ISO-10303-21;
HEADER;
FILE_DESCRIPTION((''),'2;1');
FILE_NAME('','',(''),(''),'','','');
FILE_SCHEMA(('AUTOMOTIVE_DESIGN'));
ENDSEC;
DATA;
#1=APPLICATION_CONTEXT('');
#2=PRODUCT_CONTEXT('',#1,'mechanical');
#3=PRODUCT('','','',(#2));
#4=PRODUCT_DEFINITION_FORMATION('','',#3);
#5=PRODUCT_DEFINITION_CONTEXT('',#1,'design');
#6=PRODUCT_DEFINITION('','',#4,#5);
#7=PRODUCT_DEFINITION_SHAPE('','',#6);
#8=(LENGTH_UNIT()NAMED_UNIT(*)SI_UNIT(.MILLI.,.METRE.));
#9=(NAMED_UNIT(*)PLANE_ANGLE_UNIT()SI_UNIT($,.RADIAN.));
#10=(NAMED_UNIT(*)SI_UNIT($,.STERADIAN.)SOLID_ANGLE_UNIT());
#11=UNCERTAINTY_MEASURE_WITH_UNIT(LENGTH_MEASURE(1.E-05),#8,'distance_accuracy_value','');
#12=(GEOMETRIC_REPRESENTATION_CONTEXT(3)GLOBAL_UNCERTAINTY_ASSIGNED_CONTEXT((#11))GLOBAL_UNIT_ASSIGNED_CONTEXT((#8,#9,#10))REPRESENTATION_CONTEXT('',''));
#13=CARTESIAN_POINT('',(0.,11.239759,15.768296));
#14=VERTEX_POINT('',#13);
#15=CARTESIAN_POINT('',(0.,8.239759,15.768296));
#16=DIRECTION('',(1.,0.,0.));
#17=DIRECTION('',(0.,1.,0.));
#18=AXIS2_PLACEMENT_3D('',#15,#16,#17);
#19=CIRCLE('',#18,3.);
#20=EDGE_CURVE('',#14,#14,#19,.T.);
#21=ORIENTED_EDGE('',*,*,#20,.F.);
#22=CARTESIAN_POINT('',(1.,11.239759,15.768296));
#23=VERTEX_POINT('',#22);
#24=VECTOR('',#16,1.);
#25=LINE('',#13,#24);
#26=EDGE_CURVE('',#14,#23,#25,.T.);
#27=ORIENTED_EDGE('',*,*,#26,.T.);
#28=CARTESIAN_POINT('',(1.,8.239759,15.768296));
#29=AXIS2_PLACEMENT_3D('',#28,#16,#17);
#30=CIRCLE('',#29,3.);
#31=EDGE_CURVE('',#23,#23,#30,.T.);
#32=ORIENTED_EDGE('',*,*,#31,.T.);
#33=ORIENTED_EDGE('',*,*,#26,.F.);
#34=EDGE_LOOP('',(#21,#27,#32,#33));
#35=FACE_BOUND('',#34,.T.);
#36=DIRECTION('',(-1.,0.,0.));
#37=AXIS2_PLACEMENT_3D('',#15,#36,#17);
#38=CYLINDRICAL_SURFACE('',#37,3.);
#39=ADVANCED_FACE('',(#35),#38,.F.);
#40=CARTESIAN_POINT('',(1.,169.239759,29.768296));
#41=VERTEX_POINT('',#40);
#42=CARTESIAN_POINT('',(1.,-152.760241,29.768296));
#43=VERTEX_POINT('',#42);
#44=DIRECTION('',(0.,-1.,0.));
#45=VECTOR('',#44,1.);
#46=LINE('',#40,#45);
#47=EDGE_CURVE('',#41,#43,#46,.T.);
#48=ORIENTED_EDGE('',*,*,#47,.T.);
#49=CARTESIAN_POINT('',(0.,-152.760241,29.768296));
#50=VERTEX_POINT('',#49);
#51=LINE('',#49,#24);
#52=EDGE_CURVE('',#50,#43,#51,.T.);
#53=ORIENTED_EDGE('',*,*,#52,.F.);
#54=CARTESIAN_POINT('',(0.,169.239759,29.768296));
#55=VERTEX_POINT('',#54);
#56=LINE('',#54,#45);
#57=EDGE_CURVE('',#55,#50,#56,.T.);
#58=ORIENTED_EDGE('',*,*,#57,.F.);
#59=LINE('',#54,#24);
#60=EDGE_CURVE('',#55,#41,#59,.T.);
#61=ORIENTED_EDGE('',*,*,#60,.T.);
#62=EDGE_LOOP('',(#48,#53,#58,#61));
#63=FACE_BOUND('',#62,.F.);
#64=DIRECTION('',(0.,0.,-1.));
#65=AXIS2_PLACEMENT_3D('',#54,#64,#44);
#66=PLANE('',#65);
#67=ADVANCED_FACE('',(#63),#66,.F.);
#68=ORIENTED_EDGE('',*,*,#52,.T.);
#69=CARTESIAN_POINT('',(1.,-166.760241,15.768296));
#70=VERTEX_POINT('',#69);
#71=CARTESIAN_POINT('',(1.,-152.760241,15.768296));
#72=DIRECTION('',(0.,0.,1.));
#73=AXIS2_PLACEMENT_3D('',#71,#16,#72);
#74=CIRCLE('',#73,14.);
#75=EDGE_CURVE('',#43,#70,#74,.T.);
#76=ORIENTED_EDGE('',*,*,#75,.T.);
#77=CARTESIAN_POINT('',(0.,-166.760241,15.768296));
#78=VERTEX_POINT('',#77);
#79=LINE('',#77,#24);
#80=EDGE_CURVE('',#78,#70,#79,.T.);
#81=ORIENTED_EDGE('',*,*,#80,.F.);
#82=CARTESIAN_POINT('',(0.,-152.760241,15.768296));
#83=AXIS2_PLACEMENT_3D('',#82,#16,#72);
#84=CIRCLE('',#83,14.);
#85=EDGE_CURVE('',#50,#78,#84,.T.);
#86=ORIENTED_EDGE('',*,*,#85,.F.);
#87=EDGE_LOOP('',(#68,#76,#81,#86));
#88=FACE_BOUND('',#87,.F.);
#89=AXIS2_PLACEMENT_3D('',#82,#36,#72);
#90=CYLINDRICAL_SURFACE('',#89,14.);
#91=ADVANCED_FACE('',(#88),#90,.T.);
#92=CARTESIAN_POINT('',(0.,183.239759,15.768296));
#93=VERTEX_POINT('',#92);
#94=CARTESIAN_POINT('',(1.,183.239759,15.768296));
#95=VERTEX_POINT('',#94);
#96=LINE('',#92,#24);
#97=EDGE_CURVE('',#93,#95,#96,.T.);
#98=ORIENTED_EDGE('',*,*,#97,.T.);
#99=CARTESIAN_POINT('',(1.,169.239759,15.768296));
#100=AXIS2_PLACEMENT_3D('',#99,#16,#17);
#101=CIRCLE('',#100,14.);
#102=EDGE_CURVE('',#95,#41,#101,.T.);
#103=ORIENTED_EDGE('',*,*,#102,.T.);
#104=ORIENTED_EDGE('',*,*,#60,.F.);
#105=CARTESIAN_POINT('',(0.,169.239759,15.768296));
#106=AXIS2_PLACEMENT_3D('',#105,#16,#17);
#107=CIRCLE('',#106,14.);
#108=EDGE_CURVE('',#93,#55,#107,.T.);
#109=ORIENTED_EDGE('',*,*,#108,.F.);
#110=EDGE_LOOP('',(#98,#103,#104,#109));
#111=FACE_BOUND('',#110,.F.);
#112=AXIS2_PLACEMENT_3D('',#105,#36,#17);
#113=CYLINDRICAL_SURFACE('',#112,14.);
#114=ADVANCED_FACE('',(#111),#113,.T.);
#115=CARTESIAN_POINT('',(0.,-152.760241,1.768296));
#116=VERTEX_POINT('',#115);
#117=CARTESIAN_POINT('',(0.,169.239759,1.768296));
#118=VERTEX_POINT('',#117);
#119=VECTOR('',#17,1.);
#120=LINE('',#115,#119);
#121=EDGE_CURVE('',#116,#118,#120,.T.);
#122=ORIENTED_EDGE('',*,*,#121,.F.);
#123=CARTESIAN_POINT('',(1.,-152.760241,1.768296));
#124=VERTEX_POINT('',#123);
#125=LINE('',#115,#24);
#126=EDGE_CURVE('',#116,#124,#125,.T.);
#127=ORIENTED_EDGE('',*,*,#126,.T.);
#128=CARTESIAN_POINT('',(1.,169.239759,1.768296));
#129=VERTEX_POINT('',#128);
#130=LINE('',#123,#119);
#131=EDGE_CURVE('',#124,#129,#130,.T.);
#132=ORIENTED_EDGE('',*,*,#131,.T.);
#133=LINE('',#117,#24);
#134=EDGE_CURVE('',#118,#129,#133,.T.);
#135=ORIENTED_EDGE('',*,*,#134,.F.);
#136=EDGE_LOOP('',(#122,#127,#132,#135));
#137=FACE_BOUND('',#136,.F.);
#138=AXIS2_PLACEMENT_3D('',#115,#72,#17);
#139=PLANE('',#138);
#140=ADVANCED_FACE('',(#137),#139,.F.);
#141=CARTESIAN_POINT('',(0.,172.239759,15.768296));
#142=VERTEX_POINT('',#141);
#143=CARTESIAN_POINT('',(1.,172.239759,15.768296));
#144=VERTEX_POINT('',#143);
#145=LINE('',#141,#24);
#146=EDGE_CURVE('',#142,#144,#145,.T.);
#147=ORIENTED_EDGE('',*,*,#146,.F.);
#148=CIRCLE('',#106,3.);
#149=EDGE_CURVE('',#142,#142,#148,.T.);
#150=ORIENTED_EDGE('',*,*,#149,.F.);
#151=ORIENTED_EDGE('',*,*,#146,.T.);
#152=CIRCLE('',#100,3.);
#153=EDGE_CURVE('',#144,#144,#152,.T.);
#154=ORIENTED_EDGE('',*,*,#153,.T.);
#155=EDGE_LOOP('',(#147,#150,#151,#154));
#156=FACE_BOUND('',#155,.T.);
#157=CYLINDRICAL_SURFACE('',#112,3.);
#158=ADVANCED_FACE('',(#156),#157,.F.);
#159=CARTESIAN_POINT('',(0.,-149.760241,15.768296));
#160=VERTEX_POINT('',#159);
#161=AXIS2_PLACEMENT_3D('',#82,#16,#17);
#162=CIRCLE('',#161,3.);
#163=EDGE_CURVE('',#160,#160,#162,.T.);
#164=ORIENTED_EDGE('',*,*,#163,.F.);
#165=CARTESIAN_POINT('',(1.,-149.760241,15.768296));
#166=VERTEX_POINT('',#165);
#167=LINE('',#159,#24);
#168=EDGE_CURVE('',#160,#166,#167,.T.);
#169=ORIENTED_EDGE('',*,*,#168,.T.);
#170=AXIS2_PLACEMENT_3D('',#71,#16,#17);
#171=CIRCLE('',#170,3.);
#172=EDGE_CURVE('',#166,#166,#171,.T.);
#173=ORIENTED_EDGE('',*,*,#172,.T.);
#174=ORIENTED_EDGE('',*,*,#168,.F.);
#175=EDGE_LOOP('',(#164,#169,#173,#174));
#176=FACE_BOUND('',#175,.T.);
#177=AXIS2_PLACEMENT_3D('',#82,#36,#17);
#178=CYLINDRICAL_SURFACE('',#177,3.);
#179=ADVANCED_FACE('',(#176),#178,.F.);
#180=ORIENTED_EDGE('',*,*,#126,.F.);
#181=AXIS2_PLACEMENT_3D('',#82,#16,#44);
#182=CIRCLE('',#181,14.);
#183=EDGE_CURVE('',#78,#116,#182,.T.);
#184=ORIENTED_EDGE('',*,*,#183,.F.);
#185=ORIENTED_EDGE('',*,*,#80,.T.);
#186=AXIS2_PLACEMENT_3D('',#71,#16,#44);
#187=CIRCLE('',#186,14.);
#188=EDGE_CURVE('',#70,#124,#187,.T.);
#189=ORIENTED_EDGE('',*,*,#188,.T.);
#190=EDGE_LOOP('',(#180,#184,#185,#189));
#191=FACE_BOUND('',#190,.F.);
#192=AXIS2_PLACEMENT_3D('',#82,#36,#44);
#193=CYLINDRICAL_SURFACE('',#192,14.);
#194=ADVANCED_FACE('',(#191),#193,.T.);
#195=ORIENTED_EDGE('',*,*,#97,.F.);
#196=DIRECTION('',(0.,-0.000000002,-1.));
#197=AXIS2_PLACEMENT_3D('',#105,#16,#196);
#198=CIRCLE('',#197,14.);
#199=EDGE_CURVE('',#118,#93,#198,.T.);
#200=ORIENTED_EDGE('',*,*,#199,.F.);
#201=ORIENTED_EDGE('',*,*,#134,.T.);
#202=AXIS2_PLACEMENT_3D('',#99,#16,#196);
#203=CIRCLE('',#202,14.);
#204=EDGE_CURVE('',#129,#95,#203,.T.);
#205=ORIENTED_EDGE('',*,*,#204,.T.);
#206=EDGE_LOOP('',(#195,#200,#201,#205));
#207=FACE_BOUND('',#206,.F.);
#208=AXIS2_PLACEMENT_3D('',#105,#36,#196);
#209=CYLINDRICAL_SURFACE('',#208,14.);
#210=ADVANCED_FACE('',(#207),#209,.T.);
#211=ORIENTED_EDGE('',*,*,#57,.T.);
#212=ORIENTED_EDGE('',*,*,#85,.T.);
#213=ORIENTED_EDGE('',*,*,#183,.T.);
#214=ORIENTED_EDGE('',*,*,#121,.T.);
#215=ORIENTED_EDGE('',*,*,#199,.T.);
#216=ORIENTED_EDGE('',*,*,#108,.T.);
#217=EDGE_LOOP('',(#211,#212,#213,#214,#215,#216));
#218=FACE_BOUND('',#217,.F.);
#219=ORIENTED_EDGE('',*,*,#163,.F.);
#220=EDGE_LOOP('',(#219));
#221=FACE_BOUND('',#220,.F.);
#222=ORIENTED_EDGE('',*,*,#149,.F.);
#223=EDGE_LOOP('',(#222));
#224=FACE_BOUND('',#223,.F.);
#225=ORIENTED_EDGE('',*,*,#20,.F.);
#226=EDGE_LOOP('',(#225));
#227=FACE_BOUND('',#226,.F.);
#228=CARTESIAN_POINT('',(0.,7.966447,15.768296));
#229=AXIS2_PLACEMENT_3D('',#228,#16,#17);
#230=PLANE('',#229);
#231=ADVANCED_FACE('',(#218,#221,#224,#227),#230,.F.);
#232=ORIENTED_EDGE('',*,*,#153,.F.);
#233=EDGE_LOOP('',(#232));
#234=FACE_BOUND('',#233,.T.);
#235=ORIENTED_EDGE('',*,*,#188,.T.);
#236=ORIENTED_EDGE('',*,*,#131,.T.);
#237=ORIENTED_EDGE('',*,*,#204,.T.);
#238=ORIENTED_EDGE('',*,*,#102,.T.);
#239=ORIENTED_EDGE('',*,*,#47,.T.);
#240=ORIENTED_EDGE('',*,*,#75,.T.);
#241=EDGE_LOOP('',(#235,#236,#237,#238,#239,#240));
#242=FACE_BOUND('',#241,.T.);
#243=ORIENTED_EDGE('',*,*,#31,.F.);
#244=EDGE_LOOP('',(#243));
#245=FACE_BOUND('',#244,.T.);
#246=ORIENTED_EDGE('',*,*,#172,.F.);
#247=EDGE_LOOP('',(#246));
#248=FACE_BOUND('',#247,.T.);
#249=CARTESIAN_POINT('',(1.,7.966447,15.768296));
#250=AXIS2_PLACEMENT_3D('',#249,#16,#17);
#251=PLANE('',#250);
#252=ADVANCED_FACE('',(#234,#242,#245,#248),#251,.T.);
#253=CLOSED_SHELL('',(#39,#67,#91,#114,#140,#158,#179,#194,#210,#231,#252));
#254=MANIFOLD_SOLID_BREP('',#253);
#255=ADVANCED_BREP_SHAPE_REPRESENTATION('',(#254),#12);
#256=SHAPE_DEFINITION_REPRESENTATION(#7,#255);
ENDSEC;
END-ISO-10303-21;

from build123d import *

# Parameters (mm, degrees)
F0_R     = 3
F1_DEPTH = 1


with BuildPart() as f1:
    # F0 (on Right) → F1 (new body)
    with BuildSketch(Plane.YZ):
        with BuildLine():
            Line((169.2397592919, 29.7682959138), (-152.7602405548, 29.7682959138))
            ThreePointArc((-152.7602405548, 29.7682959138), (-142.8607456182, 25.6677908504), (-138.7602405548, 15.7682959138))
            ThreePointArc((-138.7602405548, 15.7682959138), (-142.8607456182, 5.8688009772), (-152.7602405548, 1.7682959138))
            Line((-152.7602405548, 1.7682959138), (169.2397594136, 1.7682959138))
            ThreePointArc((169.2397594136, 1.7682959138), (155.2397594452, 15.7682958529), (169.2397592919, 29.7682959138))
        make_face()
        with Locations((8.2397594452, 15.7682959138)):
            Circle(F0_R, mode=Mode.SUBTRACT)
        with BuildLine():
            ThreePointArc((-138.7602405548, 15.7682959138), (-142.8607456182, 25.6677908504), (-152.7602405548, 29.7682959138))
            ThreePointArc((-152.7602405548, 29.7682959138), (-162.6597354914, 25.6677908504), (-166.7602405548, 15.7682959138))
            ThreePointArc((-166.7602405548, 15.7682959138), (-162.6597354914, 5.8688009772), (-152.7602405548, 1.7682959138))
            ThreePointArc((-152.7602405548, 1.7682959138), (-142.8607456182, 5.8688009772), (-138.7602405548, 15.7682959138))
        make_face()
        with Locations((-152.7602405548, 15.7682959138)):
            Circle(F0_R, mode=Mode.SUBTRACT)
        with BuildLine():
            ThreePointArc((183.2397594452, 15.7682959138), (179.1392543276, 25.6677909046), (169.2397592919, 29.7682959138))
            ThreePointArc((169.2397592919, 29.7682959138), (155.2397594452, 15.7682958529), (169.2397594136, 1.7682959138))
            ThreePointArc((169.2397594136, 1.7682959138), (179.1392543706, 5.868800966), (183.2397594452, 15.7682959138))
        make_face()
        with Locations((169.2397594452, 15.7682959138)):
            Circle(F0_R, mode=Mode.SUBTRACT)
    extrude(amount=F1_DEPTH)


solid = f1.part
